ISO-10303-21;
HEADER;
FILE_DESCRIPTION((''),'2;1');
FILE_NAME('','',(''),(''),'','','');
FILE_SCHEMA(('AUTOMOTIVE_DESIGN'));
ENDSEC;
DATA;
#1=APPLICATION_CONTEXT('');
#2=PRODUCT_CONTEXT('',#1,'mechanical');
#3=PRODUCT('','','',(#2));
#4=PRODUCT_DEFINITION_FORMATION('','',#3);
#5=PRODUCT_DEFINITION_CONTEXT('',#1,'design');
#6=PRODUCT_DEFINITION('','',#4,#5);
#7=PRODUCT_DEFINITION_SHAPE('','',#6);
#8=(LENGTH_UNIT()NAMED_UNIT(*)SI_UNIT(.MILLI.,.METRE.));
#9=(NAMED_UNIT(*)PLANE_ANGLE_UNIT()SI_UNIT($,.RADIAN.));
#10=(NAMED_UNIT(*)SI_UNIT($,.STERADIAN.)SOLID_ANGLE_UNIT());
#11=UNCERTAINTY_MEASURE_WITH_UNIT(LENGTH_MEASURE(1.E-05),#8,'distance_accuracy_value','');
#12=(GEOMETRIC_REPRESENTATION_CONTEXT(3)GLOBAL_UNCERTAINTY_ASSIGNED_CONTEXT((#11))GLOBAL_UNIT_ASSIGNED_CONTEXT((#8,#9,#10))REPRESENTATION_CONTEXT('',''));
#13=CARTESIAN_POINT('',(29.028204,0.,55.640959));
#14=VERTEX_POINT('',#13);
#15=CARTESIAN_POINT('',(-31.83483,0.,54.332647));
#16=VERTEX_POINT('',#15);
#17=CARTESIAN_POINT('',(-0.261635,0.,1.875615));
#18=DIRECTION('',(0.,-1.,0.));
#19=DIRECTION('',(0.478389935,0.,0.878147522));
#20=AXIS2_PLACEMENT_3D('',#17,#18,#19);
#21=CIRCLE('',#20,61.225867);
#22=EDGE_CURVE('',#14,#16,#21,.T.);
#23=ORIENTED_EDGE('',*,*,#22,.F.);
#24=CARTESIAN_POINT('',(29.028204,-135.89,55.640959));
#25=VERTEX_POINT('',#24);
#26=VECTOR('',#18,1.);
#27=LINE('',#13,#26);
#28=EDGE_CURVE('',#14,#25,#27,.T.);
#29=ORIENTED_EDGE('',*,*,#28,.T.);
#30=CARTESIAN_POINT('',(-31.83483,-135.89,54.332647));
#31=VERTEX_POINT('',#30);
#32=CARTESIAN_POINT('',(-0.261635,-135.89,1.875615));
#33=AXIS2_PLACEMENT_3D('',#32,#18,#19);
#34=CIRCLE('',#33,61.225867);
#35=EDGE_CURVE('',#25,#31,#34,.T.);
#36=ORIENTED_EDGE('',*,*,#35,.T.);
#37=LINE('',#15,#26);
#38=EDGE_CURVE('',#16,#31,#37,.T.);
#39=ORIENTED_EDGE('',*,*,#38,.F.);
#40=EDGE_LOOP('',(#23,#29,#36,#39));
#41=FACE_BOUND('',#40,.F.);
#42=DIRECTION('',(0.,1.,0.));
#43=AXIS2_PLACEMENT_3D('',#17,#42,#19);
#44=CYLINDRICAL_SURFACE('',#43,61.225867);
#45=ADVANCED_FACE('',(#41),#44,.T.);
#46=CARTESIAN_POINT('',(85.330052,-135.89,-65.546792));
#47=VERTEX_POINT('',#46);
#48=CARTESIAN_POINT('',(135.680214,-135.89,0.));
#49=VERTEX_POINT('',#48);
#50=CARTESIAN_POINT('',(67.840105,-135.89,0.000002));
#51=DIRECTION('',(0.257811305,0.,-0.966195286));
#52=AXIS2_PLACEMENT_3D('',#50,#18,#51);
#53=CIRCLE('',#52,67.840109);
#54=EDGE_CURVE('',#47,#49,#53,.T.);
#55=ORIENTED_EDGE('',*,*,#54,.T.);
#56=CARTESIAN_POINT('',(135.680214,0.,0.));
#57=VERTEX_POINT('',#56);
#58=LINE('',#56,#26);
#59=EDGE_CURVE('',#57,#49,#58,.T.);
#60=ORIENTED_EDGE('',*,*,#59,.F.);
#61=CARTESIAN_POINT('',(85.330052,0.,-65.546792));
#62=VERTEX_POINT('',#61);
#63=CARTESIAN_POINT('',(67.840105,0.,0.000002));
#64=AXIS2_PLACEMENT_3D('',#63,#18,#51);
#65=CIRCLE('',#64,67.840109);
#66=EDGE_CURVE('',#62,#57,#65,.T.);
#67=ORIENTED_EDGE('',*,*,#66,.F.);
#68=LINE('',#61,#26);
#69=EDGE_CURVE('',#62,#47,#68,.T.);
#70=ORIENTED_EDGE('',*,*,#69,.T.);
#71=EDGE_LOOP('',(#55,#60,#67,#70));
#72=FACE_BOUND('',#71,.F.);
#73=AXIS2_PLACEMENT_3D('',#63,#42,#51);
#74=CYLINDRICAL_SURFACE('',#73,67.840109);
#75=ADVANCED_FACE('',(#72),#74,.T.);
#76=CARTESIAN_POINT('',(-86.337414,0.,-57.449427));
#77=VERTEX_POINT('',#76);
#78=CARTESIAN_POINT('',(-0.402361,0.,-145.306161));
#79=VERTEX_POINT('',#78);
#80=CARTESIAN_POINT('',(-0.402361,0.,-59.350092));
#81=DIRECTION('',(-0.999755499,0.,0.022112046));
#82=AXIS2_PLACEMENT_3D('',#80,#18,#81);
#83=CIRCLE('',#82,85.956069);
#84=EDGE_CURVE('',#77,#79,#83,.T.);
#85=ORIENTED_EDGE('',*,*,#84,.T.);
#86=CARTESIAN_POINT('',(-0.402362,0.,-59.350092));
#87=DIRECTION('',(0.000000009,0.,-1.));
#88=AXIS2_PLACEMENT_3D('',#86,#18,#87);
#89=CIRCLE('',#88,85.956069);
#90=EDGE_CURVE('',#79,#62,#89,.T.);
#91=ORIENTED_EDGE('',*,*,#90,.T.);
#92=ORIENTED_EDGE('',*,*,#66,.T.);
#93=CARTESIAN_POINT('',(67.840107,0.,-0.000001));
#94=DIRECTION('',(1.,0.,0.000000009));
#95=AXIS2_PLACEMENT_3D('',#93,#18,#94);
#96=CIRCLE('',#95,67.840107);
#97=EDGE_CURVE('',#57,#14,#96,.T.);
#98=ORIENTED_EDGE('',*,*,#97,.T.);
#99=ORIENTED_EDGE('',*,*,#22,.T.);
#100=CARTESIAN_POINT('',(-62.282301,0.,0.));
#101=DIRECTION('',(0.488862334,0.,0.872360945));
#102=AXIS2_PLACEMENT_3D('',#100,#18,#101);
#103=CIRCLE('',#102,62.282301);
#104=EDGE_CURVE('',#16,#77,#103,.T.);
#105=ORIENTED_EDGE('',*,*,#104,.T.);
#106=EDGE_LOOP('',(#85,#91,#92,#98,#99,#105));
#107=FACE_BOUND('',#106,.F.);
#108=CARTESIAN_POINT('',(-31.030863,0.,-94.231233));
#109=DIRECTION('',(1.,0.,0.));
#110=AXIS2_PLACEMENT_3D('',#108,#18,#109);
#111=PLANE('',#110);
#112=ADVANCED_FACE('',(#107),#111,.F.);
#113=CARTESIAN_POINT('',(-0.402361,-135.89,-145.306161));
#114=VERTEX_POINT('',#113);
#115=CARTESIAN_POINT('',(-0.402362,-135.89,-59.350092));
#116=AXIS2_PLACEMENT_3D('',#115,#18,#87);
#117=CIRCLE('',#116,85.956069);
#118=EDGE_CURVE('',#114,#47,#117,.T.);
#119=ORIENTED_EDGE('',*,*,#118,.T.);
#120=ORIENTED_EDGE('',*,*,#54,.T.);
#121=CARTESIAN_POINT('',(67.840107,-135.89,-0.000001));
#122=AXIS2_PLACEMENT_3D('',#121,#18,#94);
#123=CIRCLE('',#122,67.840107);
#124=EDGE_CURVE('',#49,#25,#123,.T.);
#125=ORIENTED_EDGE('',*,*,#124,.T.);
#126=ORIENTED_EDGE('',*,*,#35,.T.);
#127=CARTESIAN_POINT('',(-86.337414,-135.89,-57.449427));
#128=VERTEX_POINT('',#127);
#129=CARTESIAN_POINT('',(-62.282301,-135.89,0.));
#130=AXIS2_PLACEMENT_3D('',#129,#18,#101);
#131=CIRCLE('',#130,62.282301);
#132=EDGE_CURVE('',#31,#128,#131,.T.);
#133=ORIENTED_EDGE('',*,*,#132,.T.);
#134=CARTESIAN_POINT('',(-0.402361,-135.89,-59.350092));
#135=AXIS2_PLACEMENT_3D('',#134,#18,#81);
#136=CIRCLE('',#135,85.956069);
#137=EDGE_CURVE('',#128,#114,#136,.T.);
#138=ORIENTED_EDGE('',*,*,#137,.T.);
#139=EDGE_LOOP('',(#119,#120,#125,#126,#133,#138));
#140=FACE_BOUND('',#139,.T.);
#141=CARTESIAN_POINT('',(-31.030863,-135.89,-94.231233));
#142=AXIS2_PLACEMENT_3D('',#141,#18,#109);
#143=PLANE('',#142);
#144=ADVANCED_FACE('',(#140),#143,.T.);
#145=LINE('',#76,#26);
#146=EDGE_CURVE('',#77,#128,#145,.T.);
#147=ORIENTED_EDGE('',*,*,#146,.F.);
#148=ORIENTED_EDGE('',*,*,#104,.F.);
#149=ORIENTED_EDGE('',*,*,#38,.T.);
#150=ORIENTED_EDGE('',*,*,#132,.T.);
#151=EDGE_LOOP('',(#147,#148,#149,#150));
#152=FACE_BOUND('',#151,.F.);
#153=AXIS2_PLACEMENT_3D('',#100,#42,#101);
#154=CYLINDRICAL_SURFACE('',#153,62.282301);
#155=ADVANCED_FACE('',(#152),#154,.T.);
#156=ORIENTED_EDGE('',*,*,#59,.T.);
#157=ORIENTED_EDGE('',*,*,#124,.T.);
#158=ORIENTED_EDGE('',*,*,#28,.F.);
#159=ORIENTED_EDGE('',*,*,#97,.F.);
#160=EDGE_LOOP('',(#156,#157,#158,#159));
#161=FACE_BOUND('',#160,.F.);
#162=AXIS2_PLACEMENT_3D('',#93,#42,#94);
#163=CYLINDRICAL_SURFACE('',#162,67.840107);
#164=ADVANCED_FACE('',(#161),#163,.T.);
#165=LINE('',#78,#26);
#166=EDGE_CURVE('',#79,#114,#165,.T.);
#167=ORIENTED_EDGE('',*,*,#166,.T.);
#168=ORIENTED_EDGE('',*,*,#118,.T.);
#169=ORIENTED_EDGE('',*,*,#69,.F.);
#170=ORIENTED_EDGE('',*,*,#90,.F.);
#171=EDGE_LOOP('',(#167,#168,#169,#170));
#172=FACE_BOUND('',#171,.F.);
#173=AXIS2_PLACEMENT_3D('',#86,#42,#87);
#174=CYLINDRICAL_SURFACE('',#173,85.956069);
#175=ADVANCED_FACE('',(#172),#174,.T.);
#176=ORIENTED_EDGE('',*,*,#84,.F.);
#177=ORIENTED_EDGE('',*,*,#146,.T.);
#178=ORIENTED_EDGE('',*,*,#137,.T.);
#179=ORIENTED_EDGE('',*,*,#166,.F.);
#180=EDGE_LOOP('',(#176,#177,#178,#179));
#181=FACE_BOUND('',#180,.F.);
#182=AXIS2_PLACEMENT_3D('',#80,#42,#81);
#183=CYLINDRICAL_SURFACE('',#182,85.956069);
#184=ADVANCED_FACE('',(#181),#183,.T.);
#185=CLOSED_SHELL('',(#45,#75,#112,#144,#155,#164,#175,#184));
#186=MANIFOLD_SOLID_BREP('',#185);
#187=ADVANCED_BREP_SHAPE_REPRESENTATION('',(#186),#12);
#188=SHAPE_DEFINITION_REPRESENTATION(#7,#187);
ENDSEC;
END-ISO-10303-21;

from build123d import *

# Parameters (mm, degrees)
F1_DEPTH = 135.89


with BuildPart() as f1:
    # F0 (on Front) → F1 (new body)
    with BuildSketch(Plane.XZ):
        with BuildLine():
            ThreePointArc((-0.402361, -59.350092), (-14.92337, -57.568817), (-28.607244, -52.393469))
            ThreePointArc((-28.607244, -52.393469), (-56.848471, -62.044811), (-86.337414, -57.449427))
            ThreePointArc((-86.337414, -57.449427), (-61.850793, -119.454468), (-0.402361, -145.306161))
            ThreePointArc((-0.402361, -145.306161), (20.97924, -102.328126), (-0.402361, -59.350092))
        make_face()
        with BuildLine():
            ThreePointArc((5.353071, 26.413075), (1.351735, 13.475031), (0, 0))
            ThreePointArc((0, 0), (26.5136, -53.799627), (85.330052, -65.546792))
            ThreePointArc((85.330052, -65.546792), (121.639734, -41.326507), (135.680214, 0))
            ThreePointArc((135.680214, 0), (99.219052, 60.146836), (29.028204, 55.640959))
            ThreePointArc((29.028204, 55.640959), (15.124492, 42.700633), (5.353071, 26.413075))
        make_face()
        with BuildLine():
            ThreePointArc((-31.83483, 54.332647), (-16.674524, 42.414806), (-5.886424, 26.430855))
            ThreePointArc((-5.886424, 26.430855), (-0.266385, 26.605869), (5.353071, 26.413075))
            ThreePointArc((5.353071, 26.413075), (15.124492, 42.700633), (29.028204, 55.640959))
            ThreePointArc((29.028204, 55.640959), (-1.577442, 63.087342), (-31.83483, 54.332647))
        make_face()
        with BuildLine():
            ThreePointArc((-28.607244, -52.393469), (-7.617664, -29.84732), (0, 0))
            ThreePointArc((0, 0), (-1.489415, 13.539203), (-5.886424, 26.430855))
            ThreePointArc((-5.886424, 26.430855), (-16.674524, 42.414806), (-31.83483, 54.332647))
            ThreePointArc((-31.83483, 54.332647), (-118.264652, 27.295814), (-86.337414, -57.449427))
            ThreePointArc((-86.337414, -57.449427), (-56.848471, -62.044811), (-28.607244, -52.393469))
        make_face()
        with BuildLine():
            ThreePointArc((85.330052, -65.546792), (26.5136, -53.799627), (0, 0))
            ThreePointArc((0, 0), (-7.617664, -29.84732), (-28.607244, -52.393469))
            ThreePointArc((-28.607244, -52.393469), (-14.92337, -57.568817), (-0.402361, -59.350092))
            ThreePointArc((-0.402361, -59.350092), (20.97924, -102.328126), (-0.402361, -145.306161))
            ThreePointArc((-0.402361, -145.306161), (58.145917, -122.282952), (85.330052, -65.546792))
        make_face()
        with BuildLine():
            ThreePointArc((-5.886424, 26.430855), (-1.489415, 13.539203), (0, 0))
            ThreePointArc((0, 0), (1.351735, 13.475031), (5.353071, 26.413075))
            ThreePointArc((5.353071, 26.413075), (-0.266385, 26.605869), (-5.886424, 26.430855))
        make_face()
    extrude(amount=F1_DEPTH)


solid = f1.part
